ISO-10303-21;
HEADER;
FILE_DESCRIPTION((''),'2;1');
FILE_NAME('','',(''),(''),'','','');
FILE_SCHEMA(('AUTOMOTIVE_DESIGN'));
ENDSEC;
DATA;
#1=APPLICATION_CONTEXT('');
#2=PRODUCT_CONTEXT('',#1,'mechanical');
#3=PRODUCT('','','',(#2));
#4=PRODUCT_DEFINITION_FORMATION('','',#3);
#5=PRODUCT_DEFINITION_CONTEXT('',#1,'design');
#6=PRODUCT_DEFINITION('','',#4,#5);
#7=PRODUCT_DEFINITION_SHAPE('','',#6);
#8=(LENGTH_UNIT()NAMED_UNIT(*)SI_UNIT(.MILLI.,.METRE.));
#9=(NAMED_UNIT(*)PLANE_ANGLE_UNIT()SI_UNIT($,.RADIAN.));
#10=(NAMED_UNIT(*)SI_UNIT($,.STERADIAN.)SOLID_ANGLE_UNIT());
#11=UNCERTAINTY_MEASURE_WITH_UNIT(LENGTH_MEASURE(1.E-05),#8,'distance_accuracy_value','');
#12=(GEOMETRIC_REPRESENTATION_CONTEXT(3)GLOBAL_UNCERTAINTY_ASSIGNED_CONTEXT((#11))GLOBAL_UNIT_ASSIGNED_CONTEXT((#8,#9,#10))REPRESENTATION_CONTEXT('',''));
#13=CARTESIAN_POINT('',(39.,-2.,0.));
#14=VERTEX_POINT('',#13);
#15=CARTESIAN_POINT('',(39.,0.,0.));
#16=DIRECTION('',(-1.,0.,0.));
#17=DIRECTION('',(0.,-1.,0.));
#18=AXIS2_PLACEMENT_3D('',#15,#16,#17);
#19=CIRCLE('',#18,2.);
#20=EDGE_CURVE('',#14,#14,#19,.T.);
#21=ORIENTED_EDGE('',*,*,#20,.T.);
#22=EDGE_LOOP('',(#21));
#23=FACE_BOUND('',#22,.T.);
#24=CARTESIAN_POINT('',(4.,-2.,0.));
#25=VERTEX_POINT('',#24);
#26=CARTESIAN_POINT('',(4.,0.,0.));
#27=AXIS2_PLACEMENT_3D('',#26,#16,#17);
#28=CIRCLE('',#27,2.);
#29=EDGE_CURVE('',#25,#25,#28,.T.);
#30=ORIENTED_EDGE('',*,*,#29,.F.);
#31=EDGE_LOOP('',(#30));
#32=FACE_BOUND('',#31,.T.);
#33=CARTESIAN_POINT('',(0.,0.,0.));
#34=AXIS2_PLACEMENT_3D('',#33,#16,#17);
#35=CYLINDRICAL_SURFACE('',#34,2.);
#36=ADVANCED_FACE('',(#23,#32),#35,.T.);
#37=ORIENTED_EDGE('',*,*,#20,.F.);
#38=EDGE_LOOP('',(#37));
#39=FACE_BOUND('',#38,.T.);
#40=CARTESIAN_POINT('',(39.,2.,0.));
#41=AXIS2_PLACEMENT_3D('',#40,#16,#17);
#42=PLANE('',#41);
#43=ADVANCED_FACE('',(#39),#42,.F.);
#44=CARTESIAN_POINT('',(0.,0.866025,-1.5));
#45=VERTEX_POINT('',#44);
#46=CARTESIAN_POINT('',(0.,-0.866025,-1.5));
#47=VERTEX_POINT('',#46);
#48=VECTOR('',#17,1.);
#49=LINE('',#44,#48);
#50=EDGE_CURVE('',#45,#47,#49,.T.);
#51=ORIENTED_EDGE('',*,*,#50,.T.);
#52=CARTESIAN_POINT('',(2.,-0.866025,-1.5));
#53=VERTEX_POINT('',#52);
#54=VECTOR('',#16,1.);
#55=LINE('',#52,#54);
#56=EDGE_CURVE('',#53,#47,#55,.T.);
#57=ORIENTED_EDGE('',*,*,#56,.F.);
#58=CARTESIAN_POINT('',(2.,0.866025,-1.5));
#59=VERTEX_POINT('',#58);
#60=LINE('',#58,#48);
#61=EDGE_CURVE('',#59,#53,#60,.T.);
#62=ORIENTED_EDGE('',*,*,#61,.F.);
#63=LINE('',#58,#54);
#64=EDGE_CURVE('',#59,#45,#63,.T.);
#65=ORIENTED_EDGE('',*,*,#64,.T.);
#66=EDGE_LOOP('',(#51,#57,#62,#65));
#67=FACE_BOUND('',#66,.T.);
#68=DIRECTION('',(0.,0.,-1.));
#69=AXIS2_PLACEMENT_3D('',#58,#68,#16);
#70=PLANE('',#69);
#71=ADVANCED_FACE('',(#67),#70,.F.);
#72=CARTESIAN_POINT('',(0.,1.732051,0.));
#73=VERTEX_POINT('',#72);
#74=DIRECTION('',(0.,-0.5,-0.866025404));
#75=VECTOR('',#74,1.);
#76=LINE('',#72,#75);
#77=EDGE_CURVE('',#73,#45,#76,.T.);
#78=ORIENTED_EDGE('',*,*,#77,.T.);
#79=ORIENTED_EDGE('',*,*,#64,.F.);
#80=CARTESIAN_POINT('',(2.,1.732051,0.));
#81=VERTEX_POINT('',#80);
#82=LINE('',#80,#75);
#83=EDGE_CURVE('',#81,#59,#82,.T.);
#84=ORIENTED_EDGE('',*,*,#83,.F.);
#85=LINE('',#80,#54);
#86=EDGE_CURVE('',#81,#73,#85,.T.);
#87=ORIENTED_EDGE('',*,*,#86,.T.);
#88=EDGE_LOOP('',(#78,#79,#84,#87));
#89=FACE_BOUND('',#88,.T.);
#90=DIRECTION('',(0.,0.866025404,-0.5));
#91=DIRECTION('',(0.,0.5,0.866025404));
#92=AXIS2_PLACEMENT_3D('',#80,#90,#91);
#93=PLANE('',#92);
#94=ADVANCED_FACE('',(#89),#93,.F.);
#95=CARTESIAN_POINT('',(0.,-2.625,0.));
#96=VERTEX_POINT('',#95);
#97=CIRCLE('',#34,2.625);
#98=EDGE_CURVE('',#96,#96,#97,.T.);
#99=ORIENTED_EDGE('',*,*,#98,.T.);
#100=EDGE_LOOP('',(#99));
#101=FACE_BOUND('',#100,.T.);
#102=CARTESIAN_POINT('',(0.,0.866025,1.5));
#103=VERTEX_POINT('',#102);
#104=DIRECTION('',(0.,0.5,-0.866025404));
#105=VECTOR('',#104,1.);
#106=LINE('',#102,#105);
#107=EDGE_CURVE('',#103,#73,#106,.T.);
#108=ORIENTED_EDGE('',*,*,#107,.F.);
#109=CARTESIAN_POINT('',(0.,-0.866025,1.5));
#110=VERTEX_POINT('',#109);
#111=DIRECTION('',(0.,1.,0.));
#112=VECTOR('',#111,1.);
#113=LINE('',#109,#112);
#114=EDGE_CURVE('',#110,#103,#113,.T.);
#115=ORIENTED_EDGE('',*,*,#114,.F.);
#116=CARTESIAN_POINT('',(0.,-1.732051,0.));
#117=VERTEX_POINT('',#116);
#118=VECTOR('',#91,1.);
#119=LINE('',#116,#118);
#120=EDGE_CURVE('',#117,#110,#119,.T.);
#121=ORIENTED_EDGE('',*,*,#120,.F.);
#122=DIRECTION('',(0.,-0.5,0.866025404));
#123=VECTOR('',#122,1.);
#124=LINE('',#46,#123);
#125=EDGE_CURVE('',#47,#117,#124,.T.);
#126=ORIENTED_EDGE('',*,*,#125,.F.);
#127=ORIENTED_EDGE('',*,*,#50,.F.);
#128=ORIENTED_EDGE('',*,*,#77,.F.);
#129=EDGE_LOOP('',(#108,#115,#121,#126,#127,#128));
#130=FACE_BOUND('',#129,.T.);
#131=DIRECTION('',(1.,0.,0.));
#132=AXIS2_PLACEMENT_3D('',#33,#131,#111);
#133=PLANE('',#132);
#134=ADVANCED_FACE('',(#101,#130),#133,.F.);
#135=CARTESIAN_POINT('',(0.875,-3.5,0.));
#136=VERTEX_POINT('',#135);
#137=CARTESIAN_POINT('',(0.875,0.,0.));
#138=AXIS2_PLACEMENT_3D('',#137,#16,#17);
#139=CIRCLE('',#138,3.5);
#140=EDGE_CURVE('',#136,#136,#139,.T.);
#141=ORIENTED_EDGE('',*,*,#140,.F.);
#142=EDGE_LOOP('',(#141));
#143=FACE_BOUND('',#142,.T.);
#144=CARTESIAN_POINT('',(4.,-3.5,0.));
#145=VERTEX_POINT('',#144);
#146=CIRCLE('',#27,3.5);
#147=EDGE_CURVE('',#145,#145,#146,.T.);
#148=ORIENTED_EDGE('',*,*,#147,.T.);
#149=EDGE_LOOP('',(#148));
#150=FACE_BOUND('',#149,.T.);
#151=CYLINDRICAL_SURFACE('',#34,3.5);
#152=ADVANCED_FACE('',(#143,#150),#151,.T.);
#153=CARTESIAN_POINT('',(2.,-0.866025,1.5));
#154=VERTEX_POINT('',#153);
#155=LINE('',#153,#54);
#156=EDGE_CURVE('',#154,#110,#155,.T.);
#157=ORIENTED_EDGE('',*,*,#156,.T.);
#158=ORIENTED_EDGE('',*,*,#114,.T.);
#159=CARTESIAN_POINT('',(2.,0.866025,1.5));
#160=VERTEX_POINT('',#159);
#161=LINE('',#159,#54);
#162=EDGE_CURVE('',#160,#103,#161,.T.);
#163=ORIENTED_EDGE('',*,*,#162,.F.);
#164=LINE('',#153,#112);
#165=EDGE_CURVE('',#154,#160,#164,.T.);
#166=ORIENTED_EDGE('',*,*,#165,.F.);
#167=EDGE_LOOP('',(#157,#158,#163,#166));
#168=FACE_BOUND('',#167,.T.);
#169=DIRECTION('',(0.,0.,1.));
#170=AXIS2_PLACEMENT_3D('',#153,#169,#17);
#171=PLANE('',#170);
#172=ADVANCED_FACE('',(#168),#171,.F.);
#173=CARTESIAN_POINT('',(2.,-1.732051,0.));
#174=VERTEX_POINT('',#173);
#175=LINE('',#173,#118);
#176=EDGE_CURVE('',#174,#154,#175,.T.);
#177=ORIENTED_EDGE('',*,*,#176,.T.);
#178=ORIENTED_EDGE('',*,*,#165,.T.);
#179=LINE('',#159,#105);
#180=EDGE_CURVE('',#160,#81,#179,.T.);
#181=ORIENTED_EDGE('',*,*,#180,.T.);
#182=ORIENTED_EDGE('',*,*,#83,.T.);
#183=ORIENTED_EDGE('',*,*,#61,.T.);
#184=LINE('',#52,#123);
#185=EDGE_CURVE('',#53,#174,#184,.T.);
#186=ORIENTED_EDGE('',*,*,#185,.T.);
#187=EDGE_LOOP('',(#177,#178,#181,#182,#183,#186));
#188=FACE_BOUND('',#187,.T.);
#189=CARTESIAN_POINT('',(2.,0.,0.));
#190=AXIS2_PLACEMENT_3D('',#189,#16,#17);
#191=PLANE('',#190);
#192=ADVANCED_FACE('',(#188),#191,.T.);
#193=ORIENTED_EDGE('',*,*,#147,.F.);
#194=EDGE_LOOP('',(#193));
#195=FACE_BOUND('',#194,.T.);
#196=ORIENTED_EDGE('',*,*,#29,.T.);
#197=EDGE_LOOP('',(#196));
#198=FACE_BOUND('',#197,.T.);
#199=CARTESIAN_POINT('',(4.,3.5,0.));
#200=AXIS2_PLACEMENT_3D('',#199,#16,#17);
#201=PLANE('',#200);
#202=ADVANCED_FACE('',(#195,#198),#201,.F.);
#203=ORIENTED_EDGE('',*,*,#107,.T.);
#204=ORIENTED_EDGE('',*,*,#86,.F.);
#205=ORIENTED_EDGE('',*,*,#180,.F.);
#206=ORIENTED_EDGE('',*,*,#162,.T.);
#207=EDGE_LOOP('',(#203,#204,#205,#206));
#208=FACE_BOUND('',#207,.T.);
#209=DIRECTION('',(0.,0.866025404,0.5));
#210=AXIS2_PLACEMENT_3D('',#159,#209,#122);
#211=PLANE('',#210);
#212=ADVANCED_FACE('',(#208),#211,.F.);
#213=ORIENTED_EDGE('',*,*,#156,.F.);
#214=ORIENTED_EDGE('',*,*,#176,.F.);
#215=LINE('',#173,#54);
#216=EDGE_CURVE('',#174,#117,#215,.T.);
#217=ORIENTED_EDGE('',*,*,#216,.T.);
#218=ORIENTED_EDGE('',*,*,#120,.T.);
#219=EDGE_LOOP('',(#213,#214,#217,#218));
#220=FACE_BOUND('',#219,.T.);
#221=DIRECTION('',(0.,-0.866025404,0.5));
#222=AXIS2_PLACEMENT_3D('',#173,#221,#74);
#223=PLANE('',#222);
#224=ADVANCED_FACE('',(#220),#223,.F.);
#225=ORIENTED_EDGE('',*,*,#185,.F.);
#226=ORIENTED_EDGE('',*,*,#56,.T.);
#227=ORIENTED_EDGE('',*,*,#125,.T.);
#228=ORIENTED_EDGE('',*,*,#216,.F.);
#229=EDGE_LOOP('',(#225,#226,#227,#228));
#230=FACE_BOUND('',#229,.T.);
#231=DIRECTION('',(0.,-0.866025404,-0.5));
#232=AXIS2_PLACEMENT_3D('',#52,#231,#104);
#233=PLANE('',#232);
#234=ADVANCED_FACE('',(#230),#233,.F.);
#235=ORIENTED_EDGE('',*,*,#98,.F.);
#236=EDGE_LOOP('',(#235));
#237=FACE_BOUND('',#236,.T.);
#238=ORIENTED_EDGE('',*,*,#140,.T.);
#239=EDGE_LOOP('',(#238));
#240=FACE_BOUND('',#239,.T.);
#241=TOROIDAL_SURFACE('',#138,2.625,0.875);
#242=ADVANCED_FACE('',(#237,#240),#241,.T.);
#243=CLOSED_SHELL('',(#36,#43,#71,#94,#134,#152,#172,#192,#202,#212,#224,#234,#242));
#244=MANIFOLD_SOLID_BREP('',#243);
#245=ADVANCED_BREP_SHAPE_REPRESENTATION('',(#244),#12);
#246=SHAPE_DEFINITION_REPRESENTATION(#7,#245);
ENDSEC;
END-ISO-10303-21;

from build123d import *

# Parameters (mm, degrees)
CUT_EXTRUDE1_DEPTH = 2


with BuildPart() as part:
    # Sketch1 → Revolve1 (revolve)
    with BuildSketch(Plane.XY, mode=Mode.PRIVATE) as revolve1_sk:
        with BuildLine():
            Line((0, 0), (0, 2.625))
            ThreePointArc((0, 2.625), (0.256281566, 3.243718434), (0.875, 3.5))
            Line((0.875, 3.5), (4, 3.5))
            Line((4, 3.5), (4, 2))
            Line((4, 2), (39, 2))
            Line((39, 2), (39, 0))
            Line((39, 0), (0, 0))
        make_face()
    revolve(revolve1_sk.sketch.rotate(Axis((0, 0, 0), (1, 0, 0)), 180), axis=Axis((0, 0, 0), (1, 0, 0)))

    # Sketch2 → Cut-Extrude1 (cut)
    with BuildSketch(Plane.ZY):
        Polygon((0, 1.732050808), (-1.5, 0.866025404), (-1.5, -0.866025404), (0, -1.732050808), (1.5, -0.866025404), (1.5, 0.866025404), align=None)
    extrude(amount=-CUT_EXTRUDE1_DEPTH, mode=Mode.SUBTRACT)


solid = part.part
